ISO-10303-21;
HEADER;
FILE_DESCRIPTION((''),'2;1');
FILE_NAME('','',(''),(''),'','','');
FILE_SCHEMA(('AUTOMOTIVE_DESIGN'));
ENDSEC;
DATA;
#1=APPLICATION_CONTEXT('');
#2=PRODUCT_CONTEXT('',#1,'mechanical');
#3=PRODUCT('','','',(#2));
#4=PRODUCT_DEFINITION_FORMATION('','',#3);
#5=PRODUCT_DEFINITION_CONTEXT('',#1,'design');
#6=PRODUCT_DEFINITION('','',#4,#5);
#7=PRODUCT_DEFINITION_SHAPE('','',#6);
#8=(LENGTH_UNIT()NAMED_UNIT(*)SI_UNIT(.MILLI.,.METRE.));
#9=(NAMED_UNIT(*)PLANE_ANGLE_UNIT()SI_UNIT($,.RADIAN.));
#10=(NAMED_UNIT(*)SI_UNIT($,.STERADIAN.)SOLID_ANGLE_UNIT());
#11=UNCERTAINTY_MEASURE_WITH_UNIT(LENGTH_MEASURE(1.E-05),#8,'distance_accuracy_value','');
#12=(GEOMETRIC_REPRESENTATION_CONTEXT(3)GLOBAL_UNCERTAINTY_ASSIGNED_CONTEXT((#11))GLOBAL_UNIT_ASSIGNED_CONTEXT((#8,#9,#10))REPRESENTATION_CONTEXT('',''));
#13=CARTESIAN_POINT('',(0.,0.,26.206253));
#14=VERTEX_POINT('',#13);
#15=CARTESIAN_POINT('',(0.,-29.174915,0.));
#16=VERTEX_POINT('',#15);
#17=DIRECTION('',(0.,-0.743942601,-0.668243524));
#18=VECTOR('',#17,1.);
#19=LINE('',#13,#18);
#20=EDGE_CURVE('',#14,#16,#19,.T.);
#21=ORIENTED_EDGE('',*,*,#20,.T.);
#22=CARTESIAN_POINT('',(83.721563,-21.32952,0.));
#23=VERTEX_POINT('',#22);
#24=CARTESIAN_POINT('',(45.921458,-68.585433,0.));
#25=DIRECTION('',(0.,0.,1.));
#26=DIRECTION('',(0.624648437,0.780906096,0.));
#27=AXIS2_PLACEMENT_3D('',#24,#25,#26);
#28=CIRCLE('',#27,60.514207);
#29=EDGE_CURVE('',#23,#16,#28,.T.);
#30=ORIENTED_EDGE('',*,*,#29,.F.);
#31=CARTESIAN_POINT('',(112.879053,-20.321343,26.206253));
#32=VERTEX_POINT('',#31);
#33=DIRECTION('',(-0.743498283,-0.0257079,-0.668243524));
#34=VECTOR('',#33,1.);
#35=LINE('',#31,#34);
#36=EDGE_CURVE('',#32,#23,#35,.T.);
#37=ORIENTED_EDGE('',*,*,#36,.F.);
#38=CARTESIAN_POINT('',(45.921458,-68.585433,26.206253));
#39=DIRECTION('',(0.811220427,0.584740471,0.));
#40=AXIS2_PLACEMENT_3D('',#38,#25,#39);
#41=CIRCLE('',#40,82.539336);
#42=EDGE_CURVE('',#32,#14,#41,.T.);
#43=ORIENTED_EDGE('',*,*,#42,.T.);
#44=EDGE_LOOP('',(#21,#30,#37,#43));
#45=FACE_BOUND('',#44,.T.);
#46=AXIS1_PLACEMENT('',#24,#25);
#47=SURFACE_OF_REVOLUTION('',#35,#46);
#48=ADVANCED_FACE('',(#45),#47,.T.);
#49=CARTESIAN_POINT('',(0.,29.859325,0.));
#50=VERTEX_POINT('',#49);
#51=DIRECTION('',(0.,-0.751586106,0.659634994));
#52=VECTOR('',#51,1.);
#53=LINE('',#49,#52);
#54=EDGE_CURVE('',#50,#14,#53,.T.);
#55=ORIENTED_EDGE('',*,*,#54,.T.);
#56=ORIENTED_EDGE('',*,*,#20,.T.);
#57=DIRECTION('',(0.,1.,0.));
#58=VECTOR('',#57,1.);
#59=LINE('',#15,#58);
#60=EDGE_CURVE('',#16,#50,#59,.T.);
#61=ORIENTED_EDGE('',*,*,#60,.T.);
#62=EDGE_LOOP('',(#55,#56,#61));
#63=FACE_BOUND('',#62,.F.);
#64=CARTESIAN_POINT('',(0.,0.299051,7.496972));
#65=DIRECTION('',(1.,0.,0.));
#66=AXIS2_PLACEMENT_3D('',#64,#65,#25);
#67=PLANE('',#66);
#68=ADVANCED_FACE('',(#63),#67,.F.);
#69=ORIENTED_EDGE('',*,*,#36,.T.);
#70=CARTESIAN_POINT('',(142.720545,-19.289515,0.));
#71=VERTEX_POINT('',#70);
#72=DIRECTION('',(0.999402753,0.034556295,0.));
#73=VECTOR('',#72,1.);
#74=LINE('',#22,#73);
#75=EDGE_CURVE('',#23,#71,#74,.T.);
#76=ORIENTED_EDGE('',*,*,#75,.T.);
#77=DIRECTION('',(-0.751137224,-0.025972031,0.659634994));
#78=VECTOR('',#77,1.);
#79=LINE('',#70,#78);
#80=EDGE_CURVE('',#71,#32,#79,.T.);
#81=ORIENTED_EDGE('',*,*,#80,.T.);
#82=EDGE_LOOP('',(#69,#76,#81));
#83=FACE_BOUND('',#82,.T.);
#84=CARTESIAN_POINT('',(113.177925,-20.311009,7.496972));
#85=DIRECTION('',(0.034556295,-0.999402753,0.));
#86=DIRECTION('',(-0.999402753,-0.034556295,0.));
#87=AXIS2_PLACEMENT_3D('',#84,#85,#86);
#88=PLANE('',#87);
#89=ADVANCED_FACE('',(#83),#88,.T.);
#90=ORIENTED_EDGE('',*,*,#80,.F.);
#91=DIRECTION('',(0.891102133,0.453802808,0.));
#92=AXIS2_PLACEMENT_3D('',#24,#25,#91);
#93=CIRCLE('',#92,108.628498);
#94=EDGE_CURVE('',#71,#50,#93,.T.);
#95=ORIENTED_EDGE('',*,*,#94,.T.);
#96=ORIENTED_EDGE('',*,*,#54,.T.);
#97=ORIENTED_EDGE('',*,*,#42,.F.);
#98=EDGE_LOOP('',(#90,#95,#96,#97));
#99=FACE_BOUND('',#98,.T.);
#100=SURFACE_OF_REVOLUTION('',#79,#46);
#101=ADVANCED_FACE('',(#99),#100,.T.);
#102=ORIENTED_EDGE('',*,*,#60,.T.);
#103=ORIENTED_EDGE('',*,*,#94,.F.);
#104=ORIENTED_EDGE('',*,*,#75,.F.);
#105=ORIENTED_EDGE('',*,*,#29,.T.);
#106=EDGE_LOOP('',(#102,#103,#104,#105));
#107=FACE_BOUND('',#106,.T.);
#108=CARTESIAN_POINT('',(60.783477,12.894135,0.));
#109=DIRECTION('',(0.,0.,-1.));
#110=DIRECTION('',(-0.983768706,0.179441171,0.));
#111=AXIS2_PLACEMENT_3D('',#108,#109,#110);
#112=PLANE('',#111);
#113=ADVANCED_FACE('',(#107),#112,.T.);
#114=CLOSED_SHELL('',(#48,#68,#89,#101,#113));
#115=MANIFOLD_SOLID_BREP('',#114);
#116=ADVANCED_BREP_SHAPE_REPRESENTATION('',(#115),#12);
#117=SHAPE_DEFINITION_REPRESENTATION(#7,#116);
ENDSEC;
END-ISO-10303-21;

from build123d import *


with BuildPart() as f2:
    # F2: sweep along a path in F1
    with BuildLine(Plane.XY) as f2_path:
        ThreePointArc((112.879053, -20.321343), (60.545719, 12.648014), (0, 0))
    # F0 (on Right) → F2 (sweep)
    with BuildSketch(Plane.YZ):
        Polygon((-29.174915, 0), (29.859325, 0), (0, 26.206253), align=None)
    sweep(path=f2_path.line)


solid = f2.part
